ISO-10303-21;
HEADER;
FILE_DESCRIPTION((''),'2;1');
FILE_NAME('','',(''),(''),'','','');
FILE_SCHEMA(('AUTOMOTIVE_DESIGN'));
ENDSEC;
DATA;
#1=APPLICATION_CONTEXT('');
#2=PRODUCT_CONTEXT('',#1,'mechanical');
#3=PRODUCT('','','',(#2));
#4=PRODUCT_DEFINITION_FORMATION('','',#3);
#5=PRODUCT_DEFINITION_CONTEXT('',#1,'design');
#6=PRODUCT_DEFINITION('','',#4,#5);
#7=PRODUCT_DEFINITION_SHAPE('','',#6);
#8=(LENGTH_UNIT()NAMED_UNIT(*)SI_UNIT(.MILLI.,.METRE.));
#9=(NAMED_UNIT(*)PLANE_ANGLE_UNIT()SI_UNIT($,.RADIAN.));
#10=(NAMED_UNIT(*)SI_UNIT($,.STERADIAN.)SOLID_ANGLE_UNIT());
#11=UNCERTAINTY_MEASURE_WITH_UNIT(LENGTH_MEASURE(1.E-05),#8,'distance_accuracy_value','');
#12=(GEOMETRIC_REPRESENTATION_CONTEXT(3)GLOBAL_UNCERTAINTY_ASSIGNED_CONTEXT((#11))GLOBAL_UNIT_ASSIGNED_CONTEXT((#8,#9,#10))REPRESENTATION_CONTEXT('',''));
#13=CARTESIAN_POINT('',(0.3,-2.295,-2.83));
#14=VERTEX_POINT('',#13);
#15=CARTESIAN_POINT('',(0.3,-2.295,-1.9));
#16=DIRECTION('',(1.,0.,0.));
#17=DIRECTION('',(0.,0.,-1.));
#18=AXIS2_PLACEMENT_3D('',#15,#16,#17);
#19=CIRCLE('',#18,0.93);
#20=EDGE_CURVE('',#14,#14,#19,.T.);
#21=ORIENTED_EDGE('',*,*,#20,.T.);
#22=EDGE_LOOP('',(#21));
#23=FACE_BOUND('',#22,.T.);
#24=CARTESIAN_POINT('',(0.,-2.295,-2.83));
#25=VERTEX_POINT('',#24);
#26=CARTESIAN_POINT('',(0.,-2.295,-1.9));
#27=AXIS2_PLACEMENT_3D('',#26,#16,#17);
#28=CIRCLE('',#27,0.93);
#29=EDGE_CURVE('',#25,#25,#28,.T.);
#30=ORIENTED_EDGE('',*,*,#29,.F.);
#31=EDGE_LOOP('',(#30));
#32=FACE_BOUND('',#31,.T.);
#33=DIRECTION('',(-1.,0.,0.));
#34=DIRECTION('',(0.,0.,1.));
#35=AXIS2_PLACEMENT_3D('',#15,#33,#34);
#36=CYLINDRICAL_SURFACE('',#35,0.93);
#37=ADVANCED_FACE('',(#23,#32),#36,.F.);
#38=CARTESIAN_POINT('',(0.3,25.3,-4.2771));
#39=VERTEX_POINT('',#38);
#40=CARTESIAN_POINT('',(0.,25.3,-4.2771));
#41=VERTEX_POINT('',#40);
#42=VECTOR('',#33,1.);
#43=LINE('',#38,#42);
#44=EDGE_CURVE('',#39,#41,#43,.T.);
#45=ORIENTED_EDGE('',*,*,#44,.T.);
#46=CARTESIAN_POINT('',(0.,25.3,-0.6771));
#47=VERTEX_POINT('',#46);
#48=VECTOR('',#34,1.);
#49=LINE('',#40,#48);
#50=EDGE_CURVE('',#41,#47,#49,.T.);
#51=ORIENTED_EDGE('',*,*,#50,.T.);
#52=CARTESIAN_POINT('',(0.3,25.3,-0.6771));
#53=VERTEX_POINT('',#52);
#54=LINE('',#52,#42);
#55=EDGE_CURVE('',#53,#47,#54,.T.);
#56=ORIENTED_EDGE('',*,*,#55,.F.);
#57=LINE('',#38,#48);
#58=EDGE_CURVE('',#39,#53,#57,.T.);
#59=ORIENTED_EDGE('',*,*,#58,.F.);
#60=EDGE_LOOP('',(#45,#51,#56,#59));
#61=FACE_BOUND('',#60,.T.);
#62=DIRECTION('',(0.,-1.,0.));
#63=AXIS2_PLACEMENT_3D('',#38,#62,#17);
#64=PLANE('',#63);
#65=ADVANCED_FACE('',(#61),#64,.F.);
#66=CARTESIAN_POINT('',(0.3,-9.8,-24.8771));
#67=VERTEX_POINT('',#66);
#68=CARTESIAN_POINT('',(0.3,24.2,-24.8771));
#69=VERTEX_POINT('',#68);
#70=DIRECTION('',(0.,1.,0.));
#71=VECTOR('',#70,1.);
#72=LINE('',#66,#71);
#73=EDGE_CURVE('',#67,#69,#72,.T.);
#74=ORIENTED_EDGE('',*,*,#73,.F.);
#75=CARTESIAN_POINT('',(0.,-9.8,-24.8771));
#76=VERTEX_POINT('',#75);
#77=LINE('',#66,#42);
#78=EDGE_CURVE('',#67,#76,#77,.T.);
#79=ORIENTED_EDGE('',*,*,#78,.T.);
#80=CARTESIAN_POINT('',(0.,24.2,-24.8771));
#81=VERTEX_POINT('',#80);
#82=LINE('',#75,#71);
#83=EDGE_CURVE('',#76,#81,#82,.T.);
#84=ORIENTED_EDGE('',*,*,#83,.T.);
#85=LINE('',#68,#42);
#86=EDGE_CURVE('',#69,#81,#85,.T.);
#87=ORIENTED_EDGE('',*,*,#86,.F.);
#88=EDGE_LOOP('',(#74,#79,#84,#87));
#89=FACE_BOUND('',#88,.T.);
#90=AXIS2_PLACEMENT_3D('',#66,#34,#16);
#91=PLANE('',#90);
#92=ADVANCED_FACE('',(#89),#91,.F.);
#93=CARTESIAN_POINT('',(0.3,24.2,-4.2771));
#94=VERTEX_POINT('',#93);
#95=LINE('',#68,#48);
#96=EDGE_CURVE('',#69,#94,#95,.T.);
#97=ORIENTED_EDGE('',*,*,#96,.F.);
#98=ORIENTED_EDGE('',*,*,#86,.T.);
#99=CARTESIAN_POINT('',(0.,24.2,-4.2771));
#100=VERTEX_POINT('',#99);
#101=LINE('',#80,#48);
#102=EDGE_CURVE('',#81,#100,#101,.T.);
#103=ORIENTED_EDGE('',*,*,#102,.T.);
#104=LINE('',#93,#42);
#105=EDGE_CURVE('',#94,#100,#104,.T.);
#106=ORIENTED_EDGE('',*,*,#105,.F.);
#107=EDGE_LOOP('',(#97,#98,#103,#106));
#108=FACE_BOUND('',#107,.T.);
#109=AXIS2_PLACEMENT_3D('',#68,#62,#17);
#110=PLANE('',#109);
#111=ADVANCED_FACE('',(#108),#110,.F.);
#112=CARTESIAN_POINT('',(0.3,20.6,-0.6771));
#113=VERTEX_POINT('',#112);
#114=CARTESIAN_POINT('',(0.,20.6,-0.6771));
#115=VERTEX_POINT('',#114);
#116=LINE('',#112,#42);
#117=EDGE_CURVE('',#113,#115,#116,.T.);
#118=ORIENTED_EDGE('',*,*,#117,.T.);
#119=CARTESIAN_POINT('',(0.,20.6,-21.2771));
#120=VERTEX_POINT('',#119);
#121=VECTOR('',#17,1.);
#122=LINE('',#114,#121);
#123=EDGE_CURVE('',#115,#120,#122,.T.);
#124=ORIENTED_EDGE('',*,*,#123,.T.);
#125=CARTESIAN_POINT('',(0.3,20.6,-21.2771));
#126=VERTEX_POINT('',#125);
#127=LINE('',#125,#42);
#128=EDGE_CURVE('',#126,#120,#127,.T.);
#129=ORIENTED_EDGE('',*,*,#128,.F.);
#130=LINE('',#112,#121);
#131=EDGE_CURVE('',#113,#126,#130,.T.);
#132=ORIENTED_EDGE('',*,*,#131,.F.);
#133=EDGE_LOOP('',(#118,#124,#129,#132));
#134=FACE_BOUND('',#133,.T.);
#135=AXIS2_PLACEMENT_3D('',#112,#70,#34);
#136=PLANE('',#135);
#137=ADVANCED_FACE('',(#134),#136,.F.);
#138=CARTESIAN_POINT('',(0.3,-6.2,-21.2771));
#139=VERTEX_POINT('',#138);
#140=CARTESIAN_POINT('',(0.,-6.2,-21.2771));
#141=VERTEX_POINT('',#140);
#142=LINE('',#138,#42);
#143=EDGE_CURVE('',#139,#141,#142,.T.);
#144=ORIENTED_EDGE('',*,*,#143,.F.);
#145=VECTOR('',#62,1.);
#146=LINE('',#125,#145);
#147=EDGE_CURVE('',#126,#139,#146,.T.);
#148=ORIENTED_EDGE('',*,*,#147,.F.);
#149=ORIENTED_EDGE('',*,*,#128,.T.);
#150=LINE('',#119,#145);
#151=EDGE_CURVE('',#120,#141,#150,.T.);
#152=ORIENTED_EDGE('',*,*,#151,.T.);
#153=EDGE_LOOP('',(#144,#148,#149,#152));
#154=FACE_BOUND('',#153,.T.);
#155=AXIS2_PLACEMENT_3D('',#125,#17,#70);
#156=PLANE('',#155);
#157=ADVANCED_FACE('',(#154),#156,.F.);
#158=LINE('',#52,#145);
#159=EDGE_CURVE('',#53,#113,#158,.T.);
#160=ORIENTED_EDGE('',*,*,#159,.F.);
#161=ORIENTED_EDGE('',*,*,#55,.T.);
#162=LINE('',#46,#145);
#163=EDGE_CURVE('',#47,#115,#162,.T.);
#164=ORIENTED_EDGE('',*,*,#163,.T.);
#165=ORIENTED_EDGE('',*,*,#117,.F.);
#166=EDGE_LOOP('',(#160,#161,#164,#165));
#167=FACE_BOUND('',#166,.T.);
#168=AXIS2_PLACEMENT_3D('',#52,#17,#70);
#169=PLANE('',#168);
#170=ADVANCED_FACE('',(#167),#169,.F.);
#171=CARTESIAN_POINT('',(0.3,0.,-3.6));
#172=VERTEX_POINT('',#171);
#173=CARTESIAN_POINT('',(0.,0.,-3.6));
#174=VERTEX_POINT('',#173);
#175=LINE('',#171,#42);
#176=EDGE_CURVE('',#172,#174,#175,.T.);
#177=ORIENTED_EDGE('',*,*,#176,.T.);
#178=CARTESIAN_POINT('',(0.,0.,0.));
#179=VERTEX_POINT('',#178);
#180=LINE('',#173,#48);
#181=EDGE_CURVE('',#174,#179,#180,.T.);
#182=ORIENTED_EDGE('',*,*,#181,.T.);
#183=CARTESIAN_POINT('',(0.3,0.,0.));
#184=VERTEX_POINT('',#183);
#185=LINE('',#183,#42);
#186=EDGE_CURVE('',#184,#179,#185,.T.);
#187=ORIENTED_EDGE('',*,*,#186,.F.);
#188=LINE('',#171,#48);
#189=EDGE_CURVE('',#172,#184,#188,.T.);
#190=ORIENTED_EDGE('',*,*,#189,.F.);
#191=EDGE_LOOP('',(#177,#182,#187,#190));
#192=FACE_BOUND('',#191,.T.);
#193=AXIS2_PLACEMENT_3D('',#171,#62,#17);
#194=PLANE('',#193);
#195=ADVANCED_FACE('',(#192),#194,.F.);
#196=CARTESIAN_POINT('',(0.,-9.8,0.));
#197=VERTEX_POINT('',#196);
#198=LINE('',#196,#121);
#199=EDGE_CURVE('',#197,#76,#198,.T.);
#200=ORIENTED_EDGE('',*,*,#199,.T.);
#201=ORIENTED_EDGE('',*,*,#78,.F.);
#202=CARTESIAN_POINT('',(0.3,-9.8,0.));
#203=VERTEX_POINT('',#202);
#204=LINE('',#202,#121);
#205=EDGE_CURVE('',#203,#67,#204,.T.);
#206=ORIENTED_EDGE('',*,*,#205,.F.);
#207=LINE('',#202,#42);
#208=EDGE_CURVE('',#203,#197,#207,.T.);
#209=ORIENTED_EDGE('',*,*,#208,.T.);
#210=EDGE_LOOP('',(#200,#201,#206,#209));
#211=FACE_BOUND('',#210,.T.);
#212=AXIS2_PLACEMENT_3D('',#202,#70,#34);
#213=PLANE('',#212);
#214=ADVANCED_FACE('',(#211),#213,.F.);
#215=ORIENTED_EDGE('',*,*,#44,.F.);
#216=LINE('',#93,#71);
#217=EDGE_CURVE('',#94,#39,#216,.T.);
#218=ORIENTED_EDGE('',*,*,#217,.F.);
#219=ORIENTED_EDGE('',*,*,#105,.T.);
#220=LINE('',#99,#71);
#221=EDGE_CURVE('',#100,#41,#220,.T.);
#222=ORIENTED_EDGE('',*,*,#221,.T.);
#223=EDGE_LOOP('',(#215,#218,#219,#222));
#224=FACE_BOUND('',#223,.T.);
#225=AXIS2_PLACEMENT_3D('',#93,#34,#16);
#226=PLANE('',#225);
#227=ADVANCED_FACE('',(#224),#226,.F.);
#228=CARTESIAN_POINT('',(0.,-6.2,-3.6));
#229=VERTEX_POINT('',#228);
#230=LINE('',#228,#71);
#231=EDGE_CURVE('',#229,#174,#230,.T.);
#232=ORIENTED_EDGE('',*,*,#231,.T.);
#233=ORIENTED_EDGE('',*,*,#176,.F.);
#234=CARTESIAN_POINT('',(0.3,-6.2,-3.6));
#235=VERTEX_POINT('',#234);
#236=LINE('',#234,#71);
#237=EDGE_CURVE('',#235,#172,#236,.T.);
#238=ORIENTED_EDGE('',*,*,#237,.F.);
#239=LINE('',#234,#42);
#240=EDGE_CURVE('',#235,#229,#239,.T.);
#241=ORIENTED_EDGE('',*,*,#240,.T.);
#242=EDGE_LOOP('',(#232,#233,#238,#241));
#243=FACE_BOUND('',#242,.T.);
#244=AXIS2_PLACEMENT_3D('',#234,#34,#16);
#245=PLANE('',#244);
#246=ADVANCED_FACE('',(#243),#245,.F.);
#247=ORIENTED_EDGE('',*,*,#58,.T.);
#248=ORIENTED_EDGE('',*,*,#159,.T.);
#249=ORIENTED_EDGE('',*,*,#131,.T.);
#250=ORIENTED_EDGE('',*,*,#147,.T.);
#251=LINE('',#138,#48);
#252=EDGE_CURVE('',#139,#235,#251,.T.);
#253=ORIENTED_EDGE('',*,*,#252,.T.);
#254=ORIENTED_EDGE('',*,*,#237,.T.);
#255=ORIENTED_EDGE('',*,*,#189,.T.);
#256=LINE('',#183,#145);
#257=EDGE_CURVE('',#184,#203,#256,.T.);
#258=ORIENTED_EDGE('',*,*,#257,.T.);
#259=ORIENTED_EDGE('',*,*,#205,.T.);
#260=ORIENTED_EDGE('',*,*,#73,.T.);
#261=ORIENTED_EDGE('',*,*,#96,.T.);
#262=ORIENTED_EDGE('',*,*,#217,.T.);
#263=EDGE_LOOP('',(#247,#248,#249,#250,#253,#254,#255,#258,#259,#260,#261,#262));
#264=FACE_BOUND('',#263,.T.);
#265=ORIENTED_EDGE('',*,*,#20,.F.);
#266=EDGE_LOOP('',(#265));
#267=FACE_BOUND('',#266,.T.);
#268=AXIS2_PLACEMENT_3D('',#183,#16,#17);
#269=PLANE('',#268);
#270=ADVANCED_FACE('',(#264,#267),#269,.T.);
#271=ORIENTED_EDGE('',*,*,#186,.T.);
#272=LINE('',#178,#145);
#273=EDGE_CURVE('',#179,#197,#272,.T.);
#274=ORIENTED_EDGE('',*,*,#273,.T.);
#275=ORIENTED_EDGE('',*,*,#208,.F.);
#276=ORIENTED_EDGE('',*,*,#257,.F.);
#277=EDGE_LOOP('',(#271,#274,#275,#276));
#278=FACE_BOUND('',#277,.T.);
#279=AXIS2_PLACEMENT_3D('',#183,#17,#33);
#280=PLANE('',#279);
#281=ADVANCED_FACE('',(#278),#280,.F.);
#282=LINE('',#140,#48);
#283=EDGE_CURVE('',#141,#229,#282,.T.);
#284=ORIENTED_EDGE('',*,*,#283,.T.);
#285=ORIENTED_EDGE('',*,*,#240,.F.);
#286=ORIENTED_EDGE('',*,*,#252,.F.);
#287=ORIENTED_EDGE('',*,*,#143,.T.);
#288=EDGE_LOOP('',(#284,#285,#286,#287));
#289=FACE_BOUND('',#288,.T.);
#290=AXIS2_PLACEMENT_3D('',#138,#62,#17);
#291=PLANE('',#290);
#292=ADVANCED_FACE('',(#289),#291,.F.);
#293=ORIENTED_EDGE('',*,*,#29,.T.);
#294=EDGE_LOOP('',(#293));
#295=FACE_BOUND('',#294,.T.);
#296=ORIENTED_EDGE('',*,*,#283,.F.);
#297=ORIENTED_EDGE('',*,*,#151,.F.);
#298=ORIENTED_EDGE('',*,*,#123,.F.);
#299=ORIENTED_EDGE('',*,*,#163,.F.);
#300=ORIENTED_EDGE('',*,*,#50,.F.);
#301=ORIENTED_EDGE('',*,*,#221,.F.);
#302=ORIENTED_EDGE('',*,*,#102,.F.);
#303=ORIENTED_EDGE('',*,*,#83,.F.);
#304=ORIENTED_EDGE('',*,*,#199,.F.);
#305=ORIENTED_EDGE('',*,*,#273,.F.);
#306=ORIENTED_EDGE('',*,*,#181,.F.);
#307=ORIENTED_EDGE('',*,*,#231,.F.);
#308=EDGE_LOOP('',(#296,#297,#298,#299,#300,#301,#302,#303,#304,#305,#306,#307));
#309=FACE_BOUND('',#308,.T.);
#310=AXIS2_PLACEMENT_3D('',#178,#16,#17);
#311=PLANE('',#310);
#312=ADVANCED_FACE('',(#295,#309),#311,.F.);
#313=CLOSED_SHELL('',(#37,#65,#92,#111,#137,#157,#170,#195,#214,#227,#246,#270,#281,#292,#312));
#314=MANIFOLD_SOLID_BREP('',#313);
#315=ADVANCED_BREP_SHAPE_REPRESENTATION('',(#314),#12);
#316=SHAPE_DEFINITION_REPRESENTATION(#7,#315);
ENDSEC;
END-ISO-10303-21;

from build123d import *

# Parameters (mm, degrees)
SKETCH2_R           = 0.93
BOSS_EXTRUDE1_DEPTH = 0.3


with BuildPart() as part:
    # Sketch2 → Boss-Extrude1 (new body)
    with BuildSketch(Plane(origin=(0, 0, 0), x_dir=(0, 0, -1), z_dir=(1, 0, 0))):
        Polygon((0, 0), (0, -9.8), (24.8771, -9.8), (24.8771, 24.2), (4.2771, 24.2), (4.2771, 25.3), (0.6771, 25.3), (0.6771, 20.6), (21.2771, 20.6), (21.2771, -6.2), (3.6, -6.2), (3.6, 0), align=None)
        with Locations((1.9, -2.295)):
            Circle(SKETCH2_R, mode=Mode.SUBTRACT)
    extrude(amount=BOSS_EXTRUDE1_DEPTH)


solid = part.part
